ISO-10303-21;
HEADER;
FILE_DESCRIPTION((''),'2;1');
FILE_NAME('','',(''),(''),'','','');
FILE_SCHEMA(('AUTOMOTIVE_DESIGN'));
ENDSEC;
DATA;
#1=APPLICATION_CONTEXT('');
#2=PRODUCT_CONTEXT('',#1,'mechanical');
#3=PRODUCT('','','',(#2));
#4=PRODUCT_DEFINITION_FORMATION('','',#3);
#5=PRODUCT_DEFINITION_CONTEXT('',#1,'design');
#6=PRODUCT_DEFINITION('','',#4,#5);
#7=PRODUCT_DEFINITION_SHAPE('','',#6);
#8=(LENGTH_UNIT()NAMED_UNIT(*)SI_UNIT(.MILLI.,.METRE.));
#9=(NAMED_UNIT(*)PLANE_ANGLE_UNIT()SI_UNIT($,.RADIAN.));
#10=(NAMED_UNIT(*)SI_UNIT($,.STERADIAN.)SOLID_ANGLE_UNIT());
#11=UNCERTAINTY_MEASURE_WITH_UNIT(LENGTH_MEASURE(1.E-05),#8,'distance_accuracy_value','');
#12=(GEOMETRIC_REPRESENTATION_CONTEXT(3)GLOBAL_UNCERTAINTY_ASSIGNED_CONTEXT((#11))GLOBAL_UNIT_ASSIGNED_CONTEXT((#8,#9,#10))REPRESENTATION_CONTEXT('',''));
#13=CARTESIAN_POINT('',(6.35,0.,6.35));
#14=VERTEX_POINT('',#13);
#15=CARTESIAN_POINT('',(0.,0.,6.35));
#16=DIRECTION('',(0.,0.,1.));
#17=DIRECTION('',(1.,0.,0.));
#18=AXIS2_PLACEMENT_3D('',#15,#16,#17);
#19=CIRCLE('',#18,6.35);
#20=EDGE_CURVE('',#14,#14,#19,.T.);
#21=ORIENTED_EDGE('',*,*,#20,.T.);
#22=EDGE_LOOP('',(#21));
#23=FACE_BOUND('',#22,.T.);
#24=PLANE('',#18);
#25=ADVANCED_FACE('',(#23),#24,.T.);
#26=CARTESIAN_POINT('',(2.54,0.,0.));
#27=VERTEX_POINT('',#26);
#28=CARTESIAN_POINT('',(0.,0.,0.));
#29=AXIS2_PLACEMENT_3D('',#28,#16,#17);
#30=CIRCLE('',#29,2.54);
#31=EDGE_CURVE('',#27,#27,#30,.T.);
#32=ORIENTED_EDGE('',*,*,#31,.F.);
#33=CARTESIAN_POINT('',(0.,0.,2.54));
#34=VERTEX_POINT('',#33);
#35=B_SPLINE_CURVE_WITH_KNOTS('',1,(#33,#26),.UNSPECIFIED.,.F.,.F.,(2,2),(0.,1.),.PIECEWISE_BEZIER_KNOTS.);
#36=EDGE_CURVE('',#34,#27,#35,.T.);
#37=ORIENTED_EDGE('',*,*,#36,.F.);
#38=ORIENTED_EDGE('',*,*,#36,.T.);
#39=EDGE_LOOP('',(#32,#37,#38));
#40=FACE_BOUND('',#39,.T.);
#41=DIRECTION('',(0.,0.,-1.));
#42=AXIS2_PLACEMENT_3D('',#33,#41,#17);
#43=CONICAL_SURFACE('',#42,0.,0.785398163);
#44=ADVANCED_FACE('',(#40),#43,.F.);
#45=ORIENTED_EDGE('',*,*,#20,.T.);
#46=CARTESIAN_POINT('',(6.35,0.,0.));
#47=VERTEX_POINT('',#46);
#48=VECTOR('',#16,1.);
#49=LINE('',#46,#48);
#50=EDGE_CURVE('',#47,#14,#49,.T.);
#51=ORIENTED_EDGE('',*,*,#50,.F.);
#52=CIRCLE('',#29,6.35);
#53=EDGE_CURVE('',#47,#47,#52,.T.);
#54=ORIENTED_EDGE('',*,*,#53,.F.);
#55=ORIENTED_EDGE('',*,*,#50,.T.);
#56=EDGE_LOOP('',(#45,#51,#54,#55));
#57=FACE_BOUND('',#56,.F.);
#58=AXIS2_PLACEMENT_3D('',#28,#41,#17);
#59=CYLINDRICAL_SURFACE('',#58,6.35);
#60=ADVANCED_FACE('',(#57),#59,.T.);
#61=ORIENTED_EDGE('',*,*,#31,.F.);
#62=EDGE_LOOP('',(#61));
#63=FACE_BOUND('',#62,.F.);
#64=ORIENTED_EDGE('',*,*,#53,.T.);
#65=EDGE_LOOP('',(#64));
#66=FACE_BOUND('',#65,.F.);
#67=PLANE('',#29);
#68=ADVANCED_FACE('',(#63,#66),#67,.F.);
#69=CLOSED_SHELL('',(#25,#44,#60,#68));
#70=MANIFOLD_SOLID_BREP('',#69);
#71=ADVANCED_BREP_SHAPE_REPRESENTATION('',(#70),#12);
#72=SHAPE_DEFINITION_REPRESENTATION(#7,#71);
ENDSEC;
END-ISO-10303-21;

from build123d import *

# Parameters (mm, degrees)
F0_R     = 6.35
F1_DEPTH = 6.35
F2_R     = 2.54


with BuildPart() as f1:
    # F0 (on Top) → F1 (new body)
    with BuildSketch(Plane.XY):
        Circle(F0_R)
    extrude(amount=F1_DEPTH)

    # F2 (on Top) → F5 section 0
    with BuildSketch(Plane.XY, mode=Mode.PRIVATE) as f5_s0:
        Circle(F2_R)
    loft([Vertex(0, 0, 2.54), f5_s0.sketch], mode=Mode.SUBTRACT)


solid = f1.part
